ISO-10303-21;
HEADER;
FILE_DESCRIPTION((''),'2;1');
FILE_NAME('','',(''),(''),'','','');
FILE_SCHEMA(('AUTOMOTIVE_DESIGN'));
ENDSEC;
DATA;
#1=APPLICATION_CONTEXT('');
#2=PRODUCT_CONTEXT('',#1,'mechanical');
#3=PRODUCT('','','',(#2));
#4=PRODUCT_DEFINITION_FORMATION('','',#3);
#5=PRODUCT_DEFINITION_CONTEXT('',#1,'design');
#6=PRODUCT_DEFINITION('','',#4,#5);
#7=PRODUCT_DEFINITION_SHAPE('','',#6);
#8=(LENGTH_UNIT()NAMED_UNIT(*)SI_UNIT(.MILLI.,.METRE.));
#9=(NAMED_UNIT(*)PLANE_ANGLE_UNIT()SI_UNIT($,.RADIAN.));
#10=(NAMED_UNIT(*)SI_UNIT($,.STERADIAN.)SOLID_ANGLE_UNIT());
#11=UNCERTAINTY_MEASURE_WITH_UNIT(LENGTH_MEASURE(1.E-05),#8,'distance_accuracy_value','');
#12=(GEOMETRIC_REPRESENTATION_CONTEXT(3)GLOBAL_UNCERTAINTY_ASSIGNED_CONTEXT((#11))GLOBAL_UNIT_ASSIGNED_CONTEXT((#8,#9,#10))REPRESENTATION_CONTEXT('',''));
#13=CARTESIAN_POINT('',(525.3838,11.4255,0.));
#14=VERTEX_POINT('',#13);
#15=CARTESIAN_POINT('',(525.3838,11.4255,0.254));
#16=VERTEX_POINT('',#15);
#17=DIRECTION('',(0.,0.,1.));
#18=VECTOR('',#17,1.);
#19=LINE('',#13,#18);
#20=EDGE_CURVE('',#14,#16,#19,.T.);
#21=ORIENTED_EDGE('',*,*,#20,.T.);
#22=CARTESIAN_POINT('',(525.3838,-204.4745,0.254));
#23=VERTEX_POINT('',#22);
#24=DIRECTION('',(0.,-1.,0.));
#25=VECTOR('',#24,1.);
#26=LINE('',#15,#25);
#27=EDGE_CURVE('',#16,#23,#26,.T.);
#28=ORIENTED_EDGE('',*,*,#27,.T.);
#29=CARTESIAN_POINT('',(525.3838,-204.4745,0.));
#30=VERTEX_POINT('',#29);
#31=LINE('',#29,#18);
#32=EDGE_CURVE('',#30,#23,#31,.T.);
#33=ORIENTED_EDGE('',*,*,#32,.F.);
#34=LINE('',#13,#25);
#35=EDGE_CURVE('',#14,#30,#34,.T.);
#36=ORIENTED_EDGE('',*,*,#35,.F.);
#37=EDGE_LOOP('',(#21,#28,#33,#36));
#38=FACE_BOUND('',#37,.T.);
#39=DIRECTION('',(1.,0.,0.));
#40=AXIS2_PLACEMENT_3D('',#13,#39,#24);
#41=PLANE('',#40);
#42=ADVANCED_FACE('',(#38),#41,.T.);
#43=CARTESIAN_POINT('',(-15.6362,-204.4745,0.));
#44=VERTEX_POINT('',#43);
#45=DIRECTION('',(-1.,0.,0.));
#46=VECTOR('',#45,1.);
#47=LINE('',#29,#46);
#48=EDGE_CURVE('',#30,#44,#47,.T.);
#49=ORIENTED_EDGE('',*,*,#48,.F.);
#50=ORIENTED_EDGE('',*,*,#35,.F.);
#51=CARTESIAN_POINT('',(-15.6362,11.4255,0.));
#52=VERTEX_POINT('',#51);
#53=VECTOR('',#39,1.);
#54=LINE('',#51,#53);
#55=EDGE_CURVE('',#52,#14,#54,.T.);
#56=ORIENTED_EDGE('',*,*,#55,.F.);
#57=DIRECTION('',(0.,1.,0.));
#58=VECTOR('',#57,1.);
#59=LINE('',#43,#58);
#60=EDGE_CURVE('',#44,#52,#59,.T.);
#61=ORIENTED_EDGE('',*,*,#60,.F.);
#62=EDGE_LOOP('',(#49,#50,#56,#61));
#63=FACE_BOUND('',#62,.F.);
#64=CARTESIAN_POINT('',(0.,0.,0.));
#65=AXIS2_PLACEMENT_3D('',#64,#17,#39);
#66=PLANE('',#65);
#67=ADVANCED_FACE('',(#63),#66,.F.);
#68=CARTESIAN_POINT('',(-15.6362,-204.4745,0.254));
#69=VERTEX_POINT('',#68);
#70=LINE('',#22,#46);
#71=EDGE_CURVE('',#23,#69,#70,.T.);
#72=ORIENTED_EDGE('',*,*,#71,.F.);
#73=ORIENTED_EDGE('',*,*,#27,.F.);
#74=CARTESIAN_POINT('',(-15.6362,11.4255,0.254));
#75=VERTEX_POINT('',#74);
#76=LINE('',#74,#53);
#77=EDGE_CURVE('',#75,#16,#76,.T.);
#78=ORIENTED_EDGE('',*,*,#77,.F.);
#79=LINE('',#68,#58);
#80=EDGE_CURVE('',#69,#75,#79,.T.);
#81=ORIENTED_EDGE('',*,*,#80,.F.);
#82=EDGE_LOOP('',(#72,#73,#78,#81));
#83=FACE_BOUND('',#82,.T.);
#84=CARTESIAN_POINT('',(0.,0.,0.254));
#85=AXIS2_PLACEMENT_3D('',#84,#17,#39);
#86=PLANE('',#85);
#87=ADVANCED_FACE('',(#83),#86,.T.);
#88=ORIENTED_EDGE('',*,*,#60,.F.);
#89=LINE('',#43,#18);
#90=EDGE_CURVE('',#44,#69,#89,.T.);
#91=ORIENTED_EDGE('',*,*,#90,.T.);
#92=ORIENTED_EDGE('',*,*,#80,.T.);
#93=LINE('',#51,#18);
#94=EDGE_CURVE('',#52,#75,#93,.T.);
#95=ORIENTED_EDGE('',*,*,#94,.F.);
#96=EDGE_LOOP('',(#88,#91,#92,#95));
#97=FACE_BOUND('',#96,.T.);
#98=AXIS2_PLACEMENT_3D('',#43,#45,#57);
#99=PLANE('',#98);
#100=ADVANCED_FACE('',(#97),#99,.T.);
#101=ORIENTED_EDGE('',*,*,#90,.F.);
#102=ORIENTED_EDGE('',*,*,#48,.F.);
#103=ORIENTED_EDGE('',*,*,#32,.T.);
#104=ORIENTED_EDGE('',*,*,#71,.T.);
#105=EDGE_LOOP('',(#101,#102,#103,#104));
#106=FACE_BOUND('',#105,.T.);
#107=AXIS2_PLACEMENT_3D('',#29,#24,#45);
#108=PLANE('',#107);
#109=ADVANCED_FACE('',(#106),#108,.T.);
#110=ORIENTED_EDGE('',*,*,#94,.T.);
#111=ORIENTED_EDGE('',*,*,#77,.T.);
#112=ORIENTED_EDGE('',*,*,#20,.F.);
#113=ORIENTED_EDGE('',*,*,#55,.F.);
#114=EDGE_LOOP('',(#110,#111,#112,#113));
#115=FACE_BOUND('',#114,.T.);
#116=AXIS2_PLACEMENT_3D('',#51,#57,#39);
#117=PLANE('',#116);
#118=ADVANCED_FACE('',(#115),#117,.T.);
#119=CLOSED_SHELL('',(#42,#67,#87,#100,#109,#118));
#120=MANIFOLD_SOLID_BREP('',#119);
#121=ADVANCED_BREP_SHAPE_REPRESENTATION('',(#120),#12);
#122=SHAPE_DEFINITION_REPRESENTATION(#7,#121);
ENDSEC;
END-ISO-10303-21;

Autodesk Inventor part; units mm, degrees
ref_plane "YZ Plane" through (0, 0, 0) normal (1, 0, 0) x (0, 1, 0)
ref_plane "XZ Plane" through (0, 0, 0) normal (0, 1, 0) x (-1, 0, 0)
ref_plane "XY Plane" through (0, 0, 0) normal (0, 0, 1) x (1, 0, 0)
sketch "Sketch1" plane through (0, 0, 0) normal (0, 0, 1) x (1, 0, 0)
  line L0 (-15.6362, 11.4255) -> (525.3838, 11.4255)
  line L1 (525.3838, 11.4255) -> (525.3838, -204.4745)
  line L2 (525.3838, -204.4745) -> (-15.6362, -204.4745)
  line L3 (-15.6362, -204.4745) -> (-15.6362, 11.4255)
  point P0 (0, 0)
  dimension "d0" = 541.02
  dimension "d1" = 215.9
extrude "Extrusion1" add sketch "Sketch1" along normal blind 0.254
properties part number "vrRig_v01r1_screenFlat"
